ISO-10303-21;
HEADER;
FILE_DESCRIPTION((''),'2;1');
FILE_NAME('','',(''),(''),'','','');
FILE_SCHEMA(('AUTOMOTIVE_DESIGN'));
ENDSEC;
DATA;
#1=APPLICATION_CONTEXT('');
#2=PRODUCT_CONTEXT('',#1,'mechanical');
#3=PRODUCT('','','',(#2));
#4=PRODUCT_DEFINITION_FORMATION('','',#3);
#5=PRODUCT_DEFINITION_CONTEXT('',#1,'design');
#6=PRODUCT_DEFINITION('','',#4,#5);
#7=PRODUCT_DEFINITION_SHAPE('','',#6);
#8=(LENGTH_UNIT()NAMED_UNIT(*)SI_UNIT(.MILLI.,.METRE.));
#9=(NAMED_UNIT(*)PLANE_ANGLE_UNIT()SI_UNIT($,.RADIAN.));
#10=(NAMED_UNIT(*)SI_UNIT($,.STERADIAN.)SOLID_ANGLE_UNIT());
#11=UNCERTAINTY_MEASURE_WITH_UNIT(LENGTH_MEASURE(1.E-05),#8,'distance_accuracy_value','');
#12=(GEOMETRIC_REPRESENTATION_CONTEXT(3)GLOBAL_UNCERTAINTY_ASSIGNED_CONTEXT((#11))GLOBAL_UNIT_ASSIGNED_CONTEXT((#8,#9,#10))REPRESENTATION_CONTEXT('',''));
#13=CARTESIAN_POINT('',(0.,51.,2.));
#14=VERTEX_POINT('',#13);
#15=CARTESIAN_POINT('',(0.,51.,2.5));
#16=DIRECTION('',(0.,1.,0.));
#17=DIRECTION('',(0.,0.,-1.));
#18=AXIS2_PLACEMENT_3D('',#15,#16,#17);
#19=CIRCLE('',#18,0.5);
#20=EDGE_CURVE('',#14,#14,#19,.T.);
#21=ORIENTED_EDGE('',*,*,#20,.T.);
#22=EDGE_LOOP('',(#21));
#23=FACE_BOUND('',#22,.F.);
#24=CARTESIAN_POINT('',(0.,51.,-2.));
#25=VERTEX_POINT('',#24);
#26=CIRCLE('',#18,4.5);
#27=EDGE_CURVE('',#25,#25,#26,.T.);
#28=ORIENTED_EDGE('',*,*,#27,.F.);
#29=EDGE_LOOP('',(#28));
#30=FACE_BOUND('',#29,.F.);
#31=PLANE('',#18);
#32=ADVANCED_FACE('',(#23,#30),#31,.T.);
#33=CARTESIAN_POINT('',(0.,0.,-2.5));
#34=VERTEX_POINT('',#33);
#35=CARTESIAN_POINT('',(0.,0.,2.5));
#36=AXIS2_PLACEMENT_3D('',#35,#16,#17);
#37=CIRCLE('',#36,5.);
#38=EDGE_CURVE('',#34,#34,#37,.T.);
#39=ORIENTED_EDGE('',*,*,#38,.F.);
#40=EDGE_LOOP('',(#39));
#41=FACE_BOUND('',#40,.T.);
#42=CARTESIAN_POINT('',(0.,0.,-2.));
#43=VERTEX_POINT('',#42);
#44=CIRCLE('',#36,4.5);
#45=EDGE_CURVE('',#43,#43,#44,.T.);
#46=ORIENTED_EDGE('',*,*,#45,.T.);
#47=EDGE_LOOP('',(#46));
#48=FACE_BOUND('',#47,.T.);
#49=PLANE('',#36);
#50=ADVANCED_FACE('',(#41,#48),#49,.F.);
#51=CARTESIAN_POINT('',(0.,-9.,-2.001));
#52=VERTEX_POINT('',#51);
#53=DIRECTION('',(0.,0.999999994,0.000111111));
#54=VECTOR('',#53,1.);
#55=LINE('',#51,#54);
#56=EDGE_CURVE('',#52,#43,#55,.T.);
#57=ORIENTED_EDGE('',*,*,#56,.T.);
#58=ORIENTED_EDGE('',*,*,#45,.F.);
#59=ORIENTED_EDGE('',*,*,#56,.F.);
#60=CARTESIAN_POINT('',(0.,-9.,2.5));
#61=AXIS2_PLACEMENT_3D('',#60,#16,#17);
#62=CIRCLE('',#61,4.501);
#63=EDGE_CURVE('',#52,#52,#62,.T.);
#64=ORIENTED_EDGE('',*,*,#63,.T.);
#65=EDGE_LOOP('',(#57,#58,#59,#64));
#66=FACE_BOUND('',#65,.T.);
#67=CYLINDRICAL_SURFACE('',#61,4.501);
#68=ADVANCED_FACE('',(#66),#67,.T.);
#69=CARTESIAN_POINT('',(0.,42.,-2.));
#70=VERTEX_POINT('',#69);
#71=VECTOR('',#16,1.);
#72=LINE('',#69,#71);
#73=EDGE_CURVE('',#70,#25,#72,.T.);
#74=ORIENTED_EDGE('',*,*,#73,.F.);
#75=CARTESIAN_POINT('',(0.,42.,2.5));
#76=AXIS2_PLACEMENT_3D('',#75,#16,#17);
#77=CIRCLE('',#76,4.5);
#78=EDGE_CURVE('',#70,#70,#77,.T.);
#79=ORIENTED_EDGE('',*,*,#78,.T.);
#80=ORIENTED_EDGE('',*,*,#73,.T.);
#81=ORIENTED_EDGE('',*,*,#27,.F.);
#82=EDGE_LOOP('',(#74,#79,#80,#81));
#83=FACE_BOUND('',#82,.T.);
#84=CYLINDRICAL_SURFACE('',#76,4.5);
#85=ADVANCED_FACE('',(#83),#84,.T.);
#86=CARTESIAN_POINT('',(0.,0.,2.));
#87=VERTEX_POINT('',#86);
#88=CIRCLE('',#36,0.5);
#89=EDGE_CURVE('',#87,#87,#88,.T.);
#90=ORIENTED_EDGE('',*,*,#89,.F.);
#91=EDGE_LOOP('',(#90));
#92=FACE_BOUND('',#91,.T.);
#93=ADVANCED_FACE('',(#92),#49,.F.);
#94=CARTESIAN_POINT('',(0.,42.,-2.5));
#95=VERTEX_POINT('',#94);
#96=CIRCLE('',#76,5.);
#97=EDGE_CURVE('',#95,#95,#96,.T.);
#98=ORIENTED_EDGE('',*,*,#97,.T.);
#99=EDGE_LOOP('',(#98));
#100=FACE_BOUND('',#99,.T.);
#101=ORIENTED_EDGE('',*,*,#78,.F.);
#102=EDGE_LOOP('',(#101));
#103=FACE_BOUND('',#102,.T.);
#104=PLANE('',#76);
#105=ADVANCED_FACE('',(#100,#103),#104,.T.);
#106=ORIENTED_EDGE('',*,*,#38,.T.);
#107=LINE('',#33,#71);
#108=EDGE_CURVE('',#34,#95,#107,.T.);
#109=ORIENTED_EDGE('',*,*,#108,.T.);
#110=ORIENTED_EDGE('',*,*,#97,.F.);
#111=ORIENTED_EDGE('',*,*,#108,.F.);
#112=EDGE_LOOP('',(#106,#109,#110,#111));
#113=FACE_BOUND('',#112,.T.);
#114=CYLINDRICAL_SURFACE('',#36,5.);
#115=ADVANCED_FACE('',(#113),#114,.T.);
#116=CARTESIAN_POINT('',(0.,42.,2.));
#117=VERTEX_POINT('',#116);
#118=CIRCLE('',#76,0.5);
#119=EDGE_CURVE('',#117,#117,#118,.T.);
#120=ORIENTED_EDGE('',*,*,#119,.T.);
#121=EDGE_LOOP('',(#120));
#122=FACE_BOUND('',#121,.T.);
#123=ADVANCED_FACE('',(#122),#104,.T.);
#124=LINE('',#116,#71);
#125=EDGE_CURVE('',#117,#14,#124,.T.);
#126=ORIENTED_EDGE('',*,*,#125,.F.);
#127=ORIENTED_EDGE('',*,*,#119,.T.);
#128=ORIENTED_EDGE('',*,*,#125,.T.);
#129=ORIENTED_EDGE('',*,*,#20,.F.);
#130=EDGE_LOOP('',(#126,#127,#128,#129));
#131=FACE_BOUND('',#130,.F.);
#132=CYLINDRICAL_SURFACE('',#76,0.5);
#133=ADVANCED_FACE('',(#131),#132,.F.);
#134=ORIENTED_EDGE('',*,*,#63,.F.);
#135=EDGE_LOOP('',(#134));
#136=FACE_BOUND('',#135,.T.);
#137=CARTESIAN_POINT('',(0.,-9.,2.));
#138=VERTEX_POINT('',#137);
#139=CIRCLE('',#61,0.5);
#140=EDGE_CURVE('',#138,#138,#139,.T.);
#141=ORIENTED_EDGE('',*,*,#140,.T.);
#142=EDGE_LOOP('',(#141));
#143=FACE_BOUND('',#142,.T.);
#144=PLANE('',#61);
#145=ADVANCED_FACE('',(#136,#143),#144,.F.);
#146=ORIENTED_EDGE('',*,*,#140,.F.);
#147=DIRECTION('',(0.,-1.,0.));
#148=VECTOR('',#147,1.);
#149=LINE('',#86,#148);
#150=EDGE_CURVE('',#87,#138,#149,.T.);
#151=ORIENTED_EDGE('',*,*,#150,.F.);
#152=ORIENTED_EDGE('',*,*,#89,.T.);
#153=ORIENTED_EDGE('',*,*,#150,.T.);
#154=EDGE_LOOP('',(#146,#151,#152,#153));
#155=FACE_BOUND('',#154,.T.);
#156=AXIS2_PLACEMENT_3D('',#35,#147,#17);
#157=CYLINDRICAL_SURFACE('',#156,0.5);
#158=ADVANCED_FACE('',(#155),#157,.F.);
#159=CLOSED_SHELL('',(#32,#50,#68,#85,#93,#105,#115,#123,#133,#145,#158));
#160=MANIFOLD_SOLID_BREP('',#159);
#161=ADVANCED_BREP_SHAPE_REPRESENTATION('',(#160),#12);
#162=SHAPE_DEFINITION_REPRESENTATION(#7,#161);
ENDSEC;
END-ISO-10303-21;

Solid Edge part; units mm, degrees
sketch "Sketch1" plane through (0, 0, 0) normal (-1, 0, 0) x (0, -1, 0)
  line L0 (0, 2.5) -> (-42, 2.5)
  line L1 (-42, 2) -> (-42, 2.5)
  line L2 (-42, 2) -> (-51, 2)
  line L3 (-51, 2) -> (-51, -2)
  line L4 (-42, -2) -> (-51, -2)
  line L5 (-42, -2.5) -> (-42, -2)
  line L6 (0, -2.5) -> (-42, -2.5)
  line L7 (0, -2) -> (0, -2.5)
  line L8 (9, -2.001) -> (0, -2)
  line L9 (9, 2) -> (9, -2.001)
  line L10 (0, 2) -> (9, 2)
  line L11 (0, 2.5) -> (0, 2)
revolve "RevolvedProtrusion1" add sketch "Sketch1" angle 360 about axis through (0, 0, 2.5) along (0, 1, 0)
